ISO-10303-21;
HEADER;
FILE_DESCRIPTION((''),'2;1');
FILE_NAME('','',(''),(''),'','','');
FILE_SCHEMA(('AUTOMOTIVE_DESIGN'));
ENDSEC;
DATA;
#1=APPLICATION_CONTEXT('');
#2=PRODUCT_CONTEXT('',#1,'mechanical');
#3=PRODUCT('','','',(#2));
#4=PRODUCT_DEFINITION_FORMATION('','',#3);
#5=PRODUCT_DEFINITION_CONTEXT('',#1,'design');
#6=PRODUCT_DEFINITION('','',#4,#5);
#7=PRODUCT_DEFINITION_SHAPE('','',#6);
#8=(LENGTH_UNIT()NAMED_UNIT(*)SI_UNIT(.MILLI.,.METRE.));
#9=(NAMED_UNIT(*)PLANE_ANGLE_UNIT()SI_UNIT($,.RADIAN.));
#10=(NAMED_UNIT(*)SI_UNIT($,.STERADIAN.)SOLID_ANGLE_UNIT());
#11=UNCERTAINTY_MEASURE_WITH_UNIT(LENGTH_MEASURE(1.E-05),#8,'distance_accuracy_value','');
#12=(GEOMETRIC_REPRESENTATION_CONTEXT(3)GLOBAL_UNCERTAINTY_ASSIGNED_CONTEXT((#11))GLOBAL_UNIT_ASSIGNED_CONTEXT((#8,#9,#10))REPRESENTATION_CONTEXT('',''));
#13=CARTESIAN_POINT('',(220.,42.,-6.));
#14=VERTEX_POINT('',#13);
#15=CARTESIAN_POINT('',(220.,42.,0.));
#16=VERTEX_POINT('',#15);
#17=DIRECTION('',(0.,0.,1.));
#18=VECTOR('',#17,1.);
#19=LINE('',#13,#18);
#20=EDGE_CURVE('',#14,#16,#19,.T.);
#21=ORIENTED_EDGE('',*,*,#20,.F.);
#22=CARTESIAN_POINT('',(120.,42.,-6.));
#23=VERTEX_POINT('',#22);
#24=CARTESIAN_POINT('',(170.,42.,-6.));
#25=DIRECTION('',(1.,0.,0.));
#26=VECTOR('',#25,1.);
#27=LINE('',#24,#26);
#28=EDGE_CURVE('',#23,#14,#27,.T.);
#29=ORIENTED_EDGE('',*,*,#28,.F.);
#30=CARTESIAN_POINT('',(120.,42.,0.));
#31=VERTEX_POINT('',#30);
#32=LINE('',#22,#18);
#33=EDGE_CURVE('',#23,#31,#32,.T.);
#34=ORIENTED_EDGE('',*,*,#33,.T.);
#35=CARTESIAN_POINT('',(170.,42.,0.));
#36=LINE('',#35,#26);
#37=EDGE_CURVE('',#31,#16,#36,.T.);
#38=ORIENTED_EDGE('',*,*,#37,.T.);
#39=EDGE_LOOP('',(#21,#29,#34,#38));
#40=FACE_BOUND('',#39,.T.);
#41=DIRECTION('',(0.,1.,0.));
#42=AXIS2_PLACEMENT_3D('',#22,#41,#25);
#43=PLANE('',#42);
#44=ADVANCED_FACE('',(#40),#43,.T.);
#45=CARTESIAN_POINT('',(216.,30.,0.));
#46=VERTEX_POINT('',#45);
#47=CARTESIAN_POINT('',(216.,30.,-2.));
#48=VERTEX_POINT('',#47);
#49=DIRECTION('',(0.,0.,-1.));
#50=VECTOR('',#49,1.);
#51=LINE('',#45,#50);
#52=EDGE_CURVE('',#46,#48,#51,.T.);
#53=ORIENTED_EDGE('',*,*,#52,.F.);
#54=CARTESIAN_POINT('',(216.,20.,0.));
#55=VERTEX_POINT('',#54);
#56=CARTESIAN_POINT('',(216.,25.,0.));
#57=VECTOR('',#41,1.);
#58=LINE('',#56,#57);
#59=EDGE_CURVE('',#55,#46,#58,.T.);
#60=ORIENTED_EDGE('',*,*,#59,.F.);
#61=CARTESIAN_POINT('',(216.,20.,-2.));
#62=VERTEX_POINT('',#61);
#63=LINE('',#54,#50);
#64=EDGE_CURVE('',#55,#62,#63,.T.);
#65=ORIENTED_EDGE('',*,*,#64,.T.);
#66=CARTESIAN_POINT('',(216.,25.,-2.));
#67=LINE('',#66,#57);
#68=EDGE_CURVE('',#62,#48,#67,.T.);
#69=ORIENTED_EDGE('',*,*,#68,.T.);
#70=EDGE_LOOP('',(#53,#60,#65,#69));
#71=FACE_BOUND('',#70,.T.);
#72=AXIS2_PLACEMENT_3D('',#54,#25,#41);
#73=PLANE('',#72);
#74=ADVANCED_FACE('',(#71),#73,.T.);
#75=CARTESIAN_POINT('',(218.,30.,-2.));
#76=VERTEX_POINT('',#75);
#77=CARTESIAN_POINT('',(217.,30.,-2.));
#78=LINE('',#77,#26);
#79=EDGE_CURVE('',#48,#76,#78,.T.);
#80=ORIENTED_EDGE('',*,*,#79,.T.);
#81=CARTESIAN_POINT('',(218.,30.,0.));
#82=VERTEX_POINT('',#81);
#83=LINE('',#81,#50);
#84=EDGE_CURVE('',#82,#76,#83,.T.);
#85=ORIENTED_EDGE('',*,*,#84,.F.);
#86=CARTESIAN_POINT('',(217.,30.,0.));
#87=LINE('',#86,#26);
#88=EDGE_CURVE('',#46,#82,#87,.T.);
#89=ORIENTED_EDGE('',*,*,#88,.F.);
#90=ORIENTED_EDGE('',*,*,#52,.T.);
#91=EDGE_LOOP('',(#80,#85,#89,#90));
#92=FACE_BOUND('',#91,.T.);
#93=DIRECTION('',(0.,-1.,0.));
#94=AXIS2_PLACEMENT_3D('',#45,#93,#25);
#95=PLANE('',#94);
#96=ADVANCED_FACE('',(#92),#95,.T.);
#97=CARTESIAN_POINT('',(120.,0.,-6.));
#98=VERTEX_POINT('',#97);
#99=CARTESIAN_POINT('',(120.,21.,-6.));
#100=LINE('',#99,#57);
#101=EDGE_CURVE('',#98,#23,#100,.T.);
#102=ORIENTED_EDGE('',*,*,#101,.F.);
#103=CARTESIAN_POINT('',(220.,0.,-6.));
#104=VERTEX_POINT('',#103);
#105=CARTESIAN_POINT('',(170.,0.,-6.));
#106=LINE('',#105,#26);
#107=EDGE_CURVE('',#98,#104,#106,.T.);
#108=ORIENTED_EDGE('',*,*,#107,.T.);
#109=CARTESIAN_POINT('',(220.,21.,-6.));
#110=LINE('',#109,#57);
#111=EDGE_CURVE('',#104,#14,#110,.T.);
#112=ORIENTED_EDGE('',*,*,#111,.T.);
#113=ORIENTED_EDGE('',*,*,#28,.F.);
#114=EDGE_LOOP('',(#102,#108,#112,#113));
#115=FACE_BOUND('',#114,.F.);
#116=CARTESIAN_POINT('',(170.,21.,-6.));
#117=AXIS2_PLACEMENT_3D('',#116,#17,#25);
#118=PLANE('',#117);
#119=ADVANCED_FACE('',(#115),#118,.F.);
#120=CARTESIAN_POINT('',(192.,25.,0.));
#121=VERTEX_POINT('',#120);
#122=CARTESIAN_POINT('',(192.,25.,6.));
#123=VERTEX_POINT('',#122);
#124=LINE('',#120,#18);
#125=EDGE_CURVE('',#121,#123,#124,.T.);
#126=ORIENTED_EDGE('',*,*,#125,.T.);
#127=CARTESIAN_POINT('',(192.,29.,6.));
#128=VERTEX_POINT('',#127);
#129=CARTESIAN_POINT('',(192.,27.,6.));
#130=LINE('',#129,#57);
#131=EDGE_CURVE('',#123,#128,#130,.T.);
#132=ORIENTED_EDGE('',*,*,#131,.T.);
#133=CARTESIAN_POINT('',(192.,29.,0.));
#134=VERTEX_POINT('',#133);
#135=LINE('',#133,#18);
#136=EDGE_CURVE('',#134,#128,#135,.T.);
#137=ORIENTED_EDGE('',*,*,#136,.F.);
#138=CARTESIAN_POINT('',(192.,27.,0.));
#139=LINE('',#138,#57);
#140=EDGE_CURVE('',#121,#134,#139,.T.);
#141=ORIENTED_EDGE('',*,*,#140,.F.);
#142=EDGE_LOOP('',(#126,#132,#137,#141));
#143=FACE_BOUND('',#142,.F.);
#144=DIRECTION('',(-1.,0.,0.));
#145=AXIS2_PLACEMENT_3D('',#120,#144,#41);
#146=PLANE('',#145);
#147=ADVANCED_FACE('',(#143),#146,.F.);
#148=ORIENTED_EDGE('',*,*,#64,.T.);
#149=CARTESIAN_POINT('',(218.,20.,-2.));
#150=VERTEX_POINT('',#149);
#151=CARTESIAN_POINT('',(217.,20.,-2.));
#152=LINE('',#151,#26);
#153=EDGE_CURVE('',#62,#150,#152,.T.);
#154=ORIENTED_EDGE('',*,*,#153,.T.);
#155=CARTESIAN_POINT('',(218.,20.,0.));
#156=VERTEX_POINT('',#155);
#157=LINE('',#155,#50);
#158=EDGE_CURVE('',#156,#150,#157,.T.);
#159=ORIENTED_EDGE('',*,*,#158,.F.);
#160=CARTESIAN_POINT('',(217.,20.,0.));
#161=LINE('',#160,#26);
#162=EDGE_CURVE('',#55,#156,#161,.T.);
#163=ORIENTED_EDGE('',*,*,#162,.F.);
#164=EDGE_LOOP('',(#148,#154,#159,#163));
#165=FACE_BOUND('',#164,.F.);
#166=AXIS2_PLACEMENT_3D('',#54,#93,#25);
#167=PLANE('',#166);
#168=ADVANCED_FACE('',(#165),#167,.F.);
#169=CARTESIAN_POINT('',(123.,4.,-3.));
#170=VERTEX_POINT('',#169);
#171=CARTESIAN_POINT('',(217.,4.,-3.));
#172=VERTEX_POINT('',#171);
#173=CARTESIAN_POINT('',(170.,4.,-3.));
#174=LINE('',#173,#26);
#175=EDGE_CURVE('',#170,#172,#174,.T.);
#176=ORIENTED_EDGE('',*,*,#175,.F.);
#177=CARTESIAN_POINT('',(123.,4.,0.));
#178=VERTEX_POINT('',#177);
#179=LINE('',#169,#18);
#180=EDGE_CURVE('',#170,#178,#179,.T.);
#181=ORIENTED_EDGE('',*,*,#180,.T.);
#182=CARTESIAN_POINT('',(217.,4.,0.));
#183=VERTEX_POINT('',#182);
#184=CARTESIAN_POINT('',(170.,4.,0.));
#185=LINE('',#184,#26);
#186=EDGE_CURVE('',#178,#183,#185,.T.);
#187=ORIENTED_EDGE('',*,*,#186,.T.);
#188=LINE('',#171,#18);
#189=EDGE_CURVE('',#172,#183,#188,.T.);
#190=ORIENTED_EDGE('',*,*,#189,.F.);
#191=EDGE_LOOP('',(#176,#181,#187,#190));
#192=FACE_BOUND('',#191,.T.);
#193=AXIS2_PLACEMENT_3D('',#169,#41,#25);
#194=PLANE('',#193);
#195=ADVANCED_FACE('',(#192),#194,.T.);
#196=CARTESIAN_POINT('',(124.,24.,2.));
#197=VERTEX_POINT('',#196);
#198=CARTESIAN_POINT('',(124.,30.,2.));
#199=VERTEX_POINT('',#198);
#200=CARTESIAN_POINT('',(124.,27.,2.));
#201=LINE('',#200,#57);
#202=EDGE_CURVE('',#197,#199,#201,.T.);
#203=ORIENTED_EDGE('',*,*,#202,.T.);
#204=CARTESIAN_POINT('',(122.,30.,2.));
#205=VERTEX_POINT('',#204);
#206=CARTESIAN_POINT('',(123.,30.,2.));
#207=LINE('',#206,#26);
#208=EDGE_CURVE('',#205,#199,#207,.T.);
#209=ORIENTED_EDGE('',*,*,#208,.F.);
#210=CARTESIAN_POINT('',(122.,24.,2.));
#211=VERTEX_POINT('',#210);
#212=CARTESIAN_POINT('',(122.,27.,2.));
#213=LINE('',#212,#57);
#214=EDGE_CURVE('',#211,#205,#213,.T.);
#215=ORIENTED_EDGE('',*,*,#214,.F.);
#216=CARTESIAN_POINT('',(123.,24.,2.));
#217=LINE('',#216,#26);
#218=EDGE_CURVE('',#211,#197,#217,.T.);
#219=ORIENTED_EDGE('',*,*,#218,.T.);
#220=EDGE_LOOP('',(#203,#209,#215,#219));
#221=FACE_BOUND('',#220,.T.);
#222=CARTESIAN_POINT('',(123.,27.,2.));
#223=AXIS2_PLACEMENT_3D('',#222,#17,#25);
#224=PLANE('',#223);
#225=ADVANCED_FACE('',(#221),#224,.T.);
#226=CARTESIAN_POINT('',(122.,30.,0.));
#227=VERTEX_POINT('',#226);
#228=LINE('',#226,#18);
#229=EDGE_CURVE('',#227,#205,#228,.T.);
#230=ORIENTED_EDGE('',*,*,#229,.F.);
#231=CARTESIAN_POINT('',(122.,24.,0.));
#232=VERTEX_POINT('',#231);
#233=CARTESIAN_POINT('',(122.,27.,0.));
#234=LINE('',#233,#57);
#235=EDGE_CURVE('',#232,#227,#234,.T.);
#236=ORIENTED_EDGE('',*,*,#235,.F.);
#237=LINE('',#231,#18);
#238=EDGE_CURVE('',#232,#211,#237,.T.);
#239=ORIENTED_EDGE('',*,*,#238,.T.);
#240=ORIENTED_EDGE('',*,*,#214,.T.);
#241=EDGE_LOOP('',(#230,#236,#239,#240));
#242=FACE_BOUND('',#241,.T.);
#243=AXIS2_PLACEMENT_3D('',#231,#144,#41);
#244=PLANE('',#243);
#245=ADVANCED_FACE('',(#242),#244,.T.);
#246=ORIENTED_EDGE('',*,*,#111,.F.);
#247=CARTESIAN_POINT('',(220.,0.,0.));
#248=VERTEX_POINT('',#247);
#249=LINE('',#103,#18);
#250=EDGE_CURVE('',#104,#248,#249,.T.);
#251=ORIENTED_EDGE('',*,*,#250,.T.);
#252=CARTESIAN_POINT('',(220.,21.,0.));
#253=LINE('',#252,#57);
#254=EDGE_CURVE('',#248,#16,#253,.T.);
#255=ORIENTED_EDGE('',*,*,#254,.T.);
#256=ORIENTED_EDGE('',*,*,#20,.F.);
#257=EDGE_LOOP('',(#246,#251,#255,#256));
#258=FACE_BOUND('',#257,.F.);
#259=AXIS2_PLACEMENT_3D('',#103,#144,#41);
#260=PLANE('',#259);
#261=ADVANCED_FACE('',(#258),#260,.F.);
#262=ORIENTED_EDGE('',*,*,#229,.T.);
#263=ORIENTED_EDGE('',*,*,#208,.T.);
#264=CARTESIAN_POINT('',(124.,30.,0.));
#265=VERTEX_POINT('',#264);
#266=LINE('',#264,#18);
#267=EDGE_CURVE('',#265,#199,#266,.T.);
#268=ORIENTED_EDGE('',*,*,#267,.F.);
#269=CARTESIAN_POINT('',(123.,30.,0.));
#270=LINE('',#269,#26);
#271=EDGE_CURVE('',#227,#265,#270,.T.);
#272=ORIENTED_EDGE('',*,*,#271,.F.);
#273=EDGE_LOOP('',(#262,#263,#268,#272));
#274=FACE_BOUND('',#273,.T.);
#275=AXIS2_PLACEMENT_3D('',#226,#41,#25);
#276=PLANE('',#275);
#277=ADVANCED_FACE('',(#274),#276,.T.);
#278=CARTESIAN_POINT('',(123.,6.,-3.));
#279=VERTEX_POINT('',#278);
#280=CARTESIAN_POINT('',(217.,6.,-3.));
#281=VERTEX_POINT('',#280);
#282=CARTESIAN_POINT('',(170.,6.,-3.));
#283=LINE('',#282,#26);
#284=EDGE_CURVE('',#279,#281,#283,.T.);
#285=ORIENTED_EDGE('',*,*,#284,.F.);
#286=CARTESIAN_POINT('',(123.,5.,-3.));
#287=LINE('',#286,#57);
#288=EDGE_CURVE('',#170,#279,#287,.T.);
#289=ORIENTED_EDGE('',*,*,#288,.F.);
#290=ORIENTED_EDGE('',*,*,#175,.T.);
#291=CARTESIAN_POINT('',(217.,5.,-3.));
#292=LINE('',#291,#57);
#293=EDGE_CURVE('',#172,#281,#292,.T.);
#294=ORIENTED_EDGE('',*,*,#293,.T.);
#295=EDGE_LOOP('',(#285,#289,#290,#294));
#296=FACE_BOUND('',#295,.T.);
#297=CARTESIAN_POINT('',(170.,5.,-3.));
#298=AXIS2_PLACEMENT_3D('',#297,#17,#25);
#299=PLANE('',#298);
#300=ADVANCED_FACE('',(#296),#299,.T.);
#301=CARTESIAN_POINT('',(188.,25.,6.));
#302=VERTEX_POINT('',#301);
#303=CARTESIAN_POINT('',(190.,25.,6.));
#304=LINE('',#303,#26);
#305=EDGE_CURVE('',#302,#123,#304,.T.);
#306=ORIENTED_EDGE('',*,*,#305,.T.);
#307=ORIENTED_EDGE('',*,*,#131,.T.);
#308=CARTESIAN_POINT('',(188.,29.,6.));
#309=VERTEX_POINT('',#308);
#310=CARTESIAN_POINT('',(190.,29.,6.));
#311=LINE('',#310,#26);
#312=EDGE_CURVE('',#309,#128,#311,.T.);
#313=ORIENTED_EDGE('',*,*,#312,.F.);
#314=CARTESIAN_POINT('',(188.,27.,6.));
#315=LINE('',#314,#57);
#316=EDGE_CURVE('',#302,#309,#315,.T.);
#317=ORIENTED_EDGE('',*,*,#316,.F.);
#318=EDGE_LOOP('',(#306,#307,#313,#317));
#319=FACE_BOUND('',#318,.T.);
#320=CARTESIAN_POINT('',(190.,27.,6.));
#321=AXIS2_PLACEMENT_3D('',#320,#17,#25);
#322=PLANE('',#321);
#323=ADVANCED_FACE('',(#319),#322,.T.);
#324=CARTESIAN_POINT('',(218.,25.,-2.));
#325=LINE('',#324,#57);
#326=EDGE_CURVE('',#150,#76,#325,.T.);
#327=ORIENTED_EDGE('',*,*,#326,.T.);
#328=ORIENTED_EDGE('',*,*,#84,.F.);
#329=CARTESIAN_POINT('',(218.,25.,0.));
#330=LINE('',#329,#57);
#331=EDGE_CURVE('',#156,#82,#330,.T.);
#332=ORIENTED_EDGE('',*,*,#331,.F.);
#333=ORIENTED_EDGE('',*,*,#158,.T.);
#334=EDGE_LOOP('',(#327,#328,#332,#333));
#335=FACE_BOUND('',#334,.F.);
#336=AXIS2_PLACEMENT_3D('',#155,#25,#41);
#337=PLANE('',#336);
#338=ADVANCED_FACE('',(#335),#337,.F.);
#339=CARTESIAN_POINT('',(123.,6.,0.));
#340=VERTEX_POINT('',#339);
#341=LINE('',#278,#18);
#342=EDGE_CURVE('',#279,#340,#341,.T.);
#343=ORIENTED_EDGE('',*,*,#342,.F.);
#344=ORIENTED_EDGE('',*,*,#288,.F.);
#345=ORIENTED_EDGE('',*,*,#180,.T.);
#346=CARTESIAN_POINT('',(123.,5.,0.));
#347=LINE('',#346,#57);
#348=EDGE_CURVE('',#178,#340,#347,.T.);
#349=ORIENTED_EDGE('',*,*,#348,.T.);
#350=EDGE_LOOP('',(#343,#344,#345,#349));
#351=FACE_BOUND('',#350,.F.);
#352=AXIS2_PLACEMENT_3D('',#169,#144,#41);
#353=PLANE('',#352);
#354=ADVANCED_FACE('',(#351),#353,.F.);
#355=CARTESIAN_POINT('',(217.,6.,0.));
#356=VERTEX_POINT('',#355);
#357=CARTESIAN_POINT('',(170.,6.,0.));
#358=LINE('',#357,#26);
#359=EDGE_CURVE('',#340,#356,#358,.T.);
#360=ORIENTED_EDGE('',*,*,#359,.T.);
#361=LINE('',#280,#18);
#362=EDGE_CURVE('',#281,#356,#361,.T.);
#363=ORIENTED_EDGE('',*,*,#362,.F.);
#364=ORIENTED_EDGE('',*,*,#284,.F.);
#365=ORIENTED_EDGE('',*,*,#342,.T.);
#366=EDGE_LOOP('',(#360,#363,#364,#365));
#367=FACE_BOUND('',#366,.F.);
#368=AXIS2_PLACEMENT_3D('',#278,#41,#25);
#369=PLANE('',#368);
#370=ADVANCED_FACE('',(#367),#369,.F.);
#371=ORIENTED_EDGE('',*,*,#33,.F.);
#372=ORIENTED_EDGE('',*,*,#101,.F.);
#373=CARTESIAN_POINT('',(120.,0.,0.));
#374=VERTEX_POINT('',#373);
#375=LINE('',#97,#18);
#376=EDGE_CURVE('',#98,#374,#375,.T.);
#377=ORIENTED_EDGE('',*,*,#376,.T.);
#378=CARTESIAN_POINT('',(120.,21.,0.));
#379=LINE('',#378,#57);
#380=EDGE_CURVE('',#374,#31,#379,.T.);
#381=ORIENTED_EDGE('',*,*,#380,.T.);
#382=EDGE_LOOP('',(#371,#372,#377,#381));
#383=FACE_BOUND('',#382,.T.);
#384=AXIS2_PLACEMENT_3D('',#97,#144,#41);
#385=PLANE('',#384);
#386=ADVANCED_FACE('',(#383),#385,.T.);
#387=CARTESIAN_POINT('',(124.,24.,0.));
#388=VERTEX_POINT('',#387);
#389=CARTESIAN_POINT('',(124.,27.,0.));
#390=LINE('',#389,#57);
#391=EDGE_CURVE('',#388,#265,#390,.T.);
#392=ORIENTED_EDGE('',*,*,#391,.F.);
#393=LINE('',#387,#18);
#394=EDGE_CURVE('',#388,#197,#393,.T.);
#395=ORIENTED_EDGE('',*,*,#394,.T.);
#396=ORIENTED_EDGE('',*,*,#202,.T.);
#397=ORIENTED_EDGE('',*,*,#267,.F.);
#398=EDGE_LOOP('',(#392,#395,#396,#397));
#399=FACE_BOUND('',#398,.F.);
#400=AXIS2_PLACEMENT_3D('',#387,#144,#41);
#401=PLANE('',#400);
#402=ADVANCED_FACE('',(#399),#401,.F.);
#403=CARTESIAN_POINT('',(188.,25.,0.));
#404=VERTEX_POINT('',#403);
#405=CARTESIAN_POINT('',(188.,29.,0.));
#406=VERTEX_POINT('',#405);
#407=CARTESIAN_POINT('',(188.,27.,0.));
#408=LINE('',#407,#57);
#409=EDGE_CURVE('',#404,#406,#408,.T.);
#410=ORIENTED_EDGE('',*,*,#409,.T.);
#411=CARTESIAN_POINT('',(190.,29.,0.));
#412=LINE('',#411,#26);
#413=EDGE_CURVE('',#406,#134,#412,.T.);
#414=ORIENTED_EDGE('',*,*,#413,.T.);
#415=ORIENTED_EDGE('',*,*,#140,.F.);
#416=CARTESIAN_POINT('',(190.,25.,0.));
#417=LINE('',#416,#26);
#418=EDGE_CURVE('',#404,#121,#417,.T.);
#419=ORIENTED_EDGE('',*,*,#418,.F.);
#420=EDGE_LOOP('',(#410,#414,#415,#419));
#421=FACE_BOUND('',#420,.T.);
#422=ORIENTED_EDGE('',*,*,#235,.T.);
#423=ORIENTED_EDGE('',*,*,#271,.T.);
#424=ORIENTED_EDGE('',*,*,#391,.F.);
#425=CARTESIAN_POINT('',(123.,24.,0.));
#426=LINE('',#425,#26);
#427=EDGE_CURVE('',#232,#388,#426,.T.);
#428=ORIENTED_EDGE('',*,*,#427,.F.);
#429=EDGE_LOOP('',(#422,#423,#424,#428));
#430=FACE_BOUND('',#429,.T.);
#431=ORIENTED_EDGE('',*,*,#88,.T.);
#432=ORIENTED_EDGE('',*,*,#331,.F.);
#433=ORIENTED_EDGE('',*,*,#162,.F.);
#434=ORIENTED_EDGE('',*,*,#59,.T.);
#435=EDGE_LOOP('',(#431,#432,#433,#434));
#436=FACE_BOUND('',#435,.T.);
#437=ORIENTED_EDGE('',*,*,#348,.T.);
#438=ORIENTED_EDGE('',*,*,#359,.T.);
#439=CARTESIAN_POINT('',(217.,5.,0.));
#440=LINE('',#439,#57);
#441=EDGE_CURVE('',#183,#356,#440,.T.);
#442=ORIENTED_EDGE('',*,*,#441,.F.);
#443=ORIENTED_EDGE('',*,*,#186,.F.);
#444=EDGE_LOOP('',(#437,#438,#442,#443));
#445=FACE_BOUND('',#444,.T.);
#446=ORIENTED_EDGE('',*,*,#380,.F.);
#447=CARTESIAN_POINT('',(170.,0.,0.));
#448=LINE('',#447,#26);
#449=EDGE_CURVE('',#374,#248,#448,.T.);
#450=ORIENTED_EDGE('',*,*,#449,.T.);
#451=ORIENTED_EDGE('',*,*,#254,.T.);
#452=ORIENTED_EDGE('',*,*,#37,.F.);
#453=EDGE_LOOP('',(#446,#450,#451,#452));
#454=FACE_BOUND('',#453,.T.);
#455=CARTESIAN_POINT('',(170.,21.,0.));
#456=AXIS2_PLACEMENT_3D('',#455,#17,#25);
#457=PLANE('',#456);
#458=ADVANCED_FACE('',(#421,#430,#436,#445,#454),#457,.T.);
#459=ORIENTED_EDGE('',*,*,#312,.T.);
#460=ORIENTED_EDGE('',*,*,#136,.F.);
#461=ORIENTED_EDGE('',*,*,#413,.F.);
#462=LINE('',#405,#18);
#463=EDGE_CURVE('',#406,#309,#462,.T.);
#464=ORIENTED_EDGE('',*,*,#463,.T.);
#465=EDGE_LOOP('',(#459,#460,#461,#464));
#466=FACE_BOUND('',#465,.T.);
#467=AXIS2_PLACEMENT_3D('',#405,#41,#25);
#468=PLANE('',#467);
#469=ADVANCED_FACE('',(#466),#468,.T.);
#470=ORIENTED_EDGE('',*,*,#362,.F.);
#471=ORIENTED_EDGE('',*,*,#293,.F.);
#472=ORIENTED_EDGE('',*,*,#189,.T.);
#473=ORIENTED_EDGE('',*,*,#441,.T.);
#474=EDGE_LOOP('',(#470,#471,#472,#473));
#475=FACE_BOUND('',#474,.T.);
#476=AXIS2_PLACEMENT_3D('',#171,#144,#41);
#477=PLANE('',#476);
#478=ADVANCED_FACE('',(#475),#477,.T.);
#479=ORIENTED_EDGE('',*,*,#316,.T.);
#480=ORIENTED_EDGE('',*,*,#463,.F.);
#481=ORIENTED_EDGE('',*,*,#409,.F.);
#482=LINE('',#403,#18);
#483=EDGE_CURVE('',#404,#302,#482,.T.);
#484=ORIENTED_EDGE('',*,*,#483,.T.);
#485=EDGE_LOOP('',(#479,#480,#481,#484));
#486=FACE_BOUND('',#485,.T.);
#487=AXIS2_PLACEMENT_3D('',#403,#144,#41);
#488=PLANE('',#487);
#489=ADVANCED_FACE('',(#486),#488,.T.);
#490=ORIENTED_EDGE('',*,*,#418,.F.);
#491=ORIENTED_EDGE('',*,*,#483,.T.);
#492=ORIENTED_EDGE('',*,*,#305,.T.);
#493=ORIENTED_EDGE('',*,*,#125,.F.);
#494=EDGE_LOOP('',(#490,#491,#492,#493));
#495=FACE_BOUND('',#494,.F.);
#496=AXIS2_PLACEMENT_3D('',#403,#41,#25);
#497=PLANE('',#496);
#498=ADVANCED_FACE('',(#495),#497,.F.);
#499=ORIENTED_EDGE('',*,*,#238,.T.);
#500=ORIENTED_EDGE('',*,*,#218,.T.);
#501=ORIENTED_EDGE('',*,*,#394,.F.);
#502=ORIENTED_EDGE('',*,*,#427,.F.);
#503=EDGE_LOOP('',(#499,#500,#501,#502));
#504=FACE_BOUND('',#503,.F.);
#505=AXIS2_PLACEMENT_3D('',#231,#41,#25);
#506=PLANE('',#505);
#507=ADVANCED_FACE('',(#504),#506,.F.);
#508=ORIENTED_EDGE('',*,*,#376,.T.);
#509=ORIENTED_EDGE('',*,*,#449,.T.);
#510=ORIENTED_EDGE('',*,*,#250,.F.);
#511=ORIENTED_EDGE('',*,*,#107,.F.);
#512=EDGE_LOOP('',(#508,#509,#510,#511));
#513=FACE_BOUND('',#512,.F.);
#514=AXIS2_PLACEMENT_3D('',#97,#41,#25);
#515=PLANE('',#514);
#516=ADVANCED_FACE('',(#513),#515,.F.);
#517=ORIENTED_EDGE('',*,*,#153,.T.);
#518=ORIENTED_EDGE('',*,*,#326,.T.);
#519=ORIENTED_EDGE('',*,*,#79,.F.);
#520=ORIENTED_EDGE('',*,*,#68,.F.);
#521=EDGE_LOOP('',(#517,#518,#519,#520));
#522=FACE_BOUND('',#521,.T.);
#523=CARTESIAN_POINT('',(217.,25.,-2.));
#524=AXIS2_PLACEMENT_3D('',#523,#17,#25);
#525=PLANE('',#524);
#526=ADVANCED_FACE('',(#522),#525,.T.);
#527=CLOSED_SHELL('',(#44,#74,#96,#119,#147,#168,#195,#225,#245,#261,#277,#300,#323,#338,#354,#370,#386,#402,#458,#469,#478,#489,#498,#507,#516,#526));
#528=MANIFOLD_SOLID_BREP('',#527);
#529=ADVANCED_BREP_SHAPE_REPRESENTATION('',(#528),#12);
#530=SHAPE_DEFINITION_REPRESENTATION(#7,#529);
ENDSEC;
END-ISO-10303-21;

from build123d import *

# Parameters (mm, degrees)
BOX003_W        = 94
BOX003_H        = 2
BOX003_DEPTH    = 3
BOX002_W        = 100
BOX002_H        = 42
BOX002_DEPTH    = 6
SKETCH013_W     = 2
SKETCH013_H     = 10
POCKET006_DEPTH = 2
SKETCH015_W     = 2
SKETCH015_H     = 6
PAD007_DEPTH    = 2
SKETCH021_W     = 4
SKETCH021_H     = 4
PAD011_DEPTH    = 6


with BuildPart() as cube003:
    # Box003 → Box003 (new body)
    with BuildSketch(Plane(origin=(123, 4, -3), x_dir=(1, 0, 0), z_dir=(0, 0, 1))):
        with Locations((47, 1)):
            Rectangle(BOX003_W, BOX003_H)
    extrude(amount=BOX003_DEPTH)


with BuildPart() as roof_body:
    # Box002 → Box002 (new body)
    with BuildSketch(Plane(origin=(120, 0, -6), x_dir=(1, 0, 0), z_dir=(0, 0, 1))):
        with Locations((50, 21)):
            Rectangle(BOX002_W, BOX002_H)
    extrude(amount=BOX002_DEPTH)

    # Cut001: cut Cube003
    add(cube003.part, mode=Mode.SUBTRACT)

    # Sketch013 (on Face3 of BaseFeature) → Pocket006 (cut)
    with BuildSketch(Plane.XY):
        with Locations((217, 25)):
            Rectangle(SKETCH013_W, SKETCH013_H)
    extrude(amount=-POCKET006_DEPTH, mode=Mode.SUBTRACT)

    # Sketch015 (on Face3 of Pocket006) → Pad007 (join)
    with BuildSketch(Plane.XY):
        with Locations((123, 27)):
            Rectangle(SKETCH015_W, SKETCH015_H)
    extrude(amount=PAD007_DEPTH)

    # Sketch021 (on Face3 of Pad007) → Pad011 (join)
    with BuildSketch(Plane.XY):
        with Locations((190, 27)):
            Rectangle(SKETCH021_W, SKETCH021_H)
    extrude(amount=PAD011_DEPTH)


solid = roof_body.part
